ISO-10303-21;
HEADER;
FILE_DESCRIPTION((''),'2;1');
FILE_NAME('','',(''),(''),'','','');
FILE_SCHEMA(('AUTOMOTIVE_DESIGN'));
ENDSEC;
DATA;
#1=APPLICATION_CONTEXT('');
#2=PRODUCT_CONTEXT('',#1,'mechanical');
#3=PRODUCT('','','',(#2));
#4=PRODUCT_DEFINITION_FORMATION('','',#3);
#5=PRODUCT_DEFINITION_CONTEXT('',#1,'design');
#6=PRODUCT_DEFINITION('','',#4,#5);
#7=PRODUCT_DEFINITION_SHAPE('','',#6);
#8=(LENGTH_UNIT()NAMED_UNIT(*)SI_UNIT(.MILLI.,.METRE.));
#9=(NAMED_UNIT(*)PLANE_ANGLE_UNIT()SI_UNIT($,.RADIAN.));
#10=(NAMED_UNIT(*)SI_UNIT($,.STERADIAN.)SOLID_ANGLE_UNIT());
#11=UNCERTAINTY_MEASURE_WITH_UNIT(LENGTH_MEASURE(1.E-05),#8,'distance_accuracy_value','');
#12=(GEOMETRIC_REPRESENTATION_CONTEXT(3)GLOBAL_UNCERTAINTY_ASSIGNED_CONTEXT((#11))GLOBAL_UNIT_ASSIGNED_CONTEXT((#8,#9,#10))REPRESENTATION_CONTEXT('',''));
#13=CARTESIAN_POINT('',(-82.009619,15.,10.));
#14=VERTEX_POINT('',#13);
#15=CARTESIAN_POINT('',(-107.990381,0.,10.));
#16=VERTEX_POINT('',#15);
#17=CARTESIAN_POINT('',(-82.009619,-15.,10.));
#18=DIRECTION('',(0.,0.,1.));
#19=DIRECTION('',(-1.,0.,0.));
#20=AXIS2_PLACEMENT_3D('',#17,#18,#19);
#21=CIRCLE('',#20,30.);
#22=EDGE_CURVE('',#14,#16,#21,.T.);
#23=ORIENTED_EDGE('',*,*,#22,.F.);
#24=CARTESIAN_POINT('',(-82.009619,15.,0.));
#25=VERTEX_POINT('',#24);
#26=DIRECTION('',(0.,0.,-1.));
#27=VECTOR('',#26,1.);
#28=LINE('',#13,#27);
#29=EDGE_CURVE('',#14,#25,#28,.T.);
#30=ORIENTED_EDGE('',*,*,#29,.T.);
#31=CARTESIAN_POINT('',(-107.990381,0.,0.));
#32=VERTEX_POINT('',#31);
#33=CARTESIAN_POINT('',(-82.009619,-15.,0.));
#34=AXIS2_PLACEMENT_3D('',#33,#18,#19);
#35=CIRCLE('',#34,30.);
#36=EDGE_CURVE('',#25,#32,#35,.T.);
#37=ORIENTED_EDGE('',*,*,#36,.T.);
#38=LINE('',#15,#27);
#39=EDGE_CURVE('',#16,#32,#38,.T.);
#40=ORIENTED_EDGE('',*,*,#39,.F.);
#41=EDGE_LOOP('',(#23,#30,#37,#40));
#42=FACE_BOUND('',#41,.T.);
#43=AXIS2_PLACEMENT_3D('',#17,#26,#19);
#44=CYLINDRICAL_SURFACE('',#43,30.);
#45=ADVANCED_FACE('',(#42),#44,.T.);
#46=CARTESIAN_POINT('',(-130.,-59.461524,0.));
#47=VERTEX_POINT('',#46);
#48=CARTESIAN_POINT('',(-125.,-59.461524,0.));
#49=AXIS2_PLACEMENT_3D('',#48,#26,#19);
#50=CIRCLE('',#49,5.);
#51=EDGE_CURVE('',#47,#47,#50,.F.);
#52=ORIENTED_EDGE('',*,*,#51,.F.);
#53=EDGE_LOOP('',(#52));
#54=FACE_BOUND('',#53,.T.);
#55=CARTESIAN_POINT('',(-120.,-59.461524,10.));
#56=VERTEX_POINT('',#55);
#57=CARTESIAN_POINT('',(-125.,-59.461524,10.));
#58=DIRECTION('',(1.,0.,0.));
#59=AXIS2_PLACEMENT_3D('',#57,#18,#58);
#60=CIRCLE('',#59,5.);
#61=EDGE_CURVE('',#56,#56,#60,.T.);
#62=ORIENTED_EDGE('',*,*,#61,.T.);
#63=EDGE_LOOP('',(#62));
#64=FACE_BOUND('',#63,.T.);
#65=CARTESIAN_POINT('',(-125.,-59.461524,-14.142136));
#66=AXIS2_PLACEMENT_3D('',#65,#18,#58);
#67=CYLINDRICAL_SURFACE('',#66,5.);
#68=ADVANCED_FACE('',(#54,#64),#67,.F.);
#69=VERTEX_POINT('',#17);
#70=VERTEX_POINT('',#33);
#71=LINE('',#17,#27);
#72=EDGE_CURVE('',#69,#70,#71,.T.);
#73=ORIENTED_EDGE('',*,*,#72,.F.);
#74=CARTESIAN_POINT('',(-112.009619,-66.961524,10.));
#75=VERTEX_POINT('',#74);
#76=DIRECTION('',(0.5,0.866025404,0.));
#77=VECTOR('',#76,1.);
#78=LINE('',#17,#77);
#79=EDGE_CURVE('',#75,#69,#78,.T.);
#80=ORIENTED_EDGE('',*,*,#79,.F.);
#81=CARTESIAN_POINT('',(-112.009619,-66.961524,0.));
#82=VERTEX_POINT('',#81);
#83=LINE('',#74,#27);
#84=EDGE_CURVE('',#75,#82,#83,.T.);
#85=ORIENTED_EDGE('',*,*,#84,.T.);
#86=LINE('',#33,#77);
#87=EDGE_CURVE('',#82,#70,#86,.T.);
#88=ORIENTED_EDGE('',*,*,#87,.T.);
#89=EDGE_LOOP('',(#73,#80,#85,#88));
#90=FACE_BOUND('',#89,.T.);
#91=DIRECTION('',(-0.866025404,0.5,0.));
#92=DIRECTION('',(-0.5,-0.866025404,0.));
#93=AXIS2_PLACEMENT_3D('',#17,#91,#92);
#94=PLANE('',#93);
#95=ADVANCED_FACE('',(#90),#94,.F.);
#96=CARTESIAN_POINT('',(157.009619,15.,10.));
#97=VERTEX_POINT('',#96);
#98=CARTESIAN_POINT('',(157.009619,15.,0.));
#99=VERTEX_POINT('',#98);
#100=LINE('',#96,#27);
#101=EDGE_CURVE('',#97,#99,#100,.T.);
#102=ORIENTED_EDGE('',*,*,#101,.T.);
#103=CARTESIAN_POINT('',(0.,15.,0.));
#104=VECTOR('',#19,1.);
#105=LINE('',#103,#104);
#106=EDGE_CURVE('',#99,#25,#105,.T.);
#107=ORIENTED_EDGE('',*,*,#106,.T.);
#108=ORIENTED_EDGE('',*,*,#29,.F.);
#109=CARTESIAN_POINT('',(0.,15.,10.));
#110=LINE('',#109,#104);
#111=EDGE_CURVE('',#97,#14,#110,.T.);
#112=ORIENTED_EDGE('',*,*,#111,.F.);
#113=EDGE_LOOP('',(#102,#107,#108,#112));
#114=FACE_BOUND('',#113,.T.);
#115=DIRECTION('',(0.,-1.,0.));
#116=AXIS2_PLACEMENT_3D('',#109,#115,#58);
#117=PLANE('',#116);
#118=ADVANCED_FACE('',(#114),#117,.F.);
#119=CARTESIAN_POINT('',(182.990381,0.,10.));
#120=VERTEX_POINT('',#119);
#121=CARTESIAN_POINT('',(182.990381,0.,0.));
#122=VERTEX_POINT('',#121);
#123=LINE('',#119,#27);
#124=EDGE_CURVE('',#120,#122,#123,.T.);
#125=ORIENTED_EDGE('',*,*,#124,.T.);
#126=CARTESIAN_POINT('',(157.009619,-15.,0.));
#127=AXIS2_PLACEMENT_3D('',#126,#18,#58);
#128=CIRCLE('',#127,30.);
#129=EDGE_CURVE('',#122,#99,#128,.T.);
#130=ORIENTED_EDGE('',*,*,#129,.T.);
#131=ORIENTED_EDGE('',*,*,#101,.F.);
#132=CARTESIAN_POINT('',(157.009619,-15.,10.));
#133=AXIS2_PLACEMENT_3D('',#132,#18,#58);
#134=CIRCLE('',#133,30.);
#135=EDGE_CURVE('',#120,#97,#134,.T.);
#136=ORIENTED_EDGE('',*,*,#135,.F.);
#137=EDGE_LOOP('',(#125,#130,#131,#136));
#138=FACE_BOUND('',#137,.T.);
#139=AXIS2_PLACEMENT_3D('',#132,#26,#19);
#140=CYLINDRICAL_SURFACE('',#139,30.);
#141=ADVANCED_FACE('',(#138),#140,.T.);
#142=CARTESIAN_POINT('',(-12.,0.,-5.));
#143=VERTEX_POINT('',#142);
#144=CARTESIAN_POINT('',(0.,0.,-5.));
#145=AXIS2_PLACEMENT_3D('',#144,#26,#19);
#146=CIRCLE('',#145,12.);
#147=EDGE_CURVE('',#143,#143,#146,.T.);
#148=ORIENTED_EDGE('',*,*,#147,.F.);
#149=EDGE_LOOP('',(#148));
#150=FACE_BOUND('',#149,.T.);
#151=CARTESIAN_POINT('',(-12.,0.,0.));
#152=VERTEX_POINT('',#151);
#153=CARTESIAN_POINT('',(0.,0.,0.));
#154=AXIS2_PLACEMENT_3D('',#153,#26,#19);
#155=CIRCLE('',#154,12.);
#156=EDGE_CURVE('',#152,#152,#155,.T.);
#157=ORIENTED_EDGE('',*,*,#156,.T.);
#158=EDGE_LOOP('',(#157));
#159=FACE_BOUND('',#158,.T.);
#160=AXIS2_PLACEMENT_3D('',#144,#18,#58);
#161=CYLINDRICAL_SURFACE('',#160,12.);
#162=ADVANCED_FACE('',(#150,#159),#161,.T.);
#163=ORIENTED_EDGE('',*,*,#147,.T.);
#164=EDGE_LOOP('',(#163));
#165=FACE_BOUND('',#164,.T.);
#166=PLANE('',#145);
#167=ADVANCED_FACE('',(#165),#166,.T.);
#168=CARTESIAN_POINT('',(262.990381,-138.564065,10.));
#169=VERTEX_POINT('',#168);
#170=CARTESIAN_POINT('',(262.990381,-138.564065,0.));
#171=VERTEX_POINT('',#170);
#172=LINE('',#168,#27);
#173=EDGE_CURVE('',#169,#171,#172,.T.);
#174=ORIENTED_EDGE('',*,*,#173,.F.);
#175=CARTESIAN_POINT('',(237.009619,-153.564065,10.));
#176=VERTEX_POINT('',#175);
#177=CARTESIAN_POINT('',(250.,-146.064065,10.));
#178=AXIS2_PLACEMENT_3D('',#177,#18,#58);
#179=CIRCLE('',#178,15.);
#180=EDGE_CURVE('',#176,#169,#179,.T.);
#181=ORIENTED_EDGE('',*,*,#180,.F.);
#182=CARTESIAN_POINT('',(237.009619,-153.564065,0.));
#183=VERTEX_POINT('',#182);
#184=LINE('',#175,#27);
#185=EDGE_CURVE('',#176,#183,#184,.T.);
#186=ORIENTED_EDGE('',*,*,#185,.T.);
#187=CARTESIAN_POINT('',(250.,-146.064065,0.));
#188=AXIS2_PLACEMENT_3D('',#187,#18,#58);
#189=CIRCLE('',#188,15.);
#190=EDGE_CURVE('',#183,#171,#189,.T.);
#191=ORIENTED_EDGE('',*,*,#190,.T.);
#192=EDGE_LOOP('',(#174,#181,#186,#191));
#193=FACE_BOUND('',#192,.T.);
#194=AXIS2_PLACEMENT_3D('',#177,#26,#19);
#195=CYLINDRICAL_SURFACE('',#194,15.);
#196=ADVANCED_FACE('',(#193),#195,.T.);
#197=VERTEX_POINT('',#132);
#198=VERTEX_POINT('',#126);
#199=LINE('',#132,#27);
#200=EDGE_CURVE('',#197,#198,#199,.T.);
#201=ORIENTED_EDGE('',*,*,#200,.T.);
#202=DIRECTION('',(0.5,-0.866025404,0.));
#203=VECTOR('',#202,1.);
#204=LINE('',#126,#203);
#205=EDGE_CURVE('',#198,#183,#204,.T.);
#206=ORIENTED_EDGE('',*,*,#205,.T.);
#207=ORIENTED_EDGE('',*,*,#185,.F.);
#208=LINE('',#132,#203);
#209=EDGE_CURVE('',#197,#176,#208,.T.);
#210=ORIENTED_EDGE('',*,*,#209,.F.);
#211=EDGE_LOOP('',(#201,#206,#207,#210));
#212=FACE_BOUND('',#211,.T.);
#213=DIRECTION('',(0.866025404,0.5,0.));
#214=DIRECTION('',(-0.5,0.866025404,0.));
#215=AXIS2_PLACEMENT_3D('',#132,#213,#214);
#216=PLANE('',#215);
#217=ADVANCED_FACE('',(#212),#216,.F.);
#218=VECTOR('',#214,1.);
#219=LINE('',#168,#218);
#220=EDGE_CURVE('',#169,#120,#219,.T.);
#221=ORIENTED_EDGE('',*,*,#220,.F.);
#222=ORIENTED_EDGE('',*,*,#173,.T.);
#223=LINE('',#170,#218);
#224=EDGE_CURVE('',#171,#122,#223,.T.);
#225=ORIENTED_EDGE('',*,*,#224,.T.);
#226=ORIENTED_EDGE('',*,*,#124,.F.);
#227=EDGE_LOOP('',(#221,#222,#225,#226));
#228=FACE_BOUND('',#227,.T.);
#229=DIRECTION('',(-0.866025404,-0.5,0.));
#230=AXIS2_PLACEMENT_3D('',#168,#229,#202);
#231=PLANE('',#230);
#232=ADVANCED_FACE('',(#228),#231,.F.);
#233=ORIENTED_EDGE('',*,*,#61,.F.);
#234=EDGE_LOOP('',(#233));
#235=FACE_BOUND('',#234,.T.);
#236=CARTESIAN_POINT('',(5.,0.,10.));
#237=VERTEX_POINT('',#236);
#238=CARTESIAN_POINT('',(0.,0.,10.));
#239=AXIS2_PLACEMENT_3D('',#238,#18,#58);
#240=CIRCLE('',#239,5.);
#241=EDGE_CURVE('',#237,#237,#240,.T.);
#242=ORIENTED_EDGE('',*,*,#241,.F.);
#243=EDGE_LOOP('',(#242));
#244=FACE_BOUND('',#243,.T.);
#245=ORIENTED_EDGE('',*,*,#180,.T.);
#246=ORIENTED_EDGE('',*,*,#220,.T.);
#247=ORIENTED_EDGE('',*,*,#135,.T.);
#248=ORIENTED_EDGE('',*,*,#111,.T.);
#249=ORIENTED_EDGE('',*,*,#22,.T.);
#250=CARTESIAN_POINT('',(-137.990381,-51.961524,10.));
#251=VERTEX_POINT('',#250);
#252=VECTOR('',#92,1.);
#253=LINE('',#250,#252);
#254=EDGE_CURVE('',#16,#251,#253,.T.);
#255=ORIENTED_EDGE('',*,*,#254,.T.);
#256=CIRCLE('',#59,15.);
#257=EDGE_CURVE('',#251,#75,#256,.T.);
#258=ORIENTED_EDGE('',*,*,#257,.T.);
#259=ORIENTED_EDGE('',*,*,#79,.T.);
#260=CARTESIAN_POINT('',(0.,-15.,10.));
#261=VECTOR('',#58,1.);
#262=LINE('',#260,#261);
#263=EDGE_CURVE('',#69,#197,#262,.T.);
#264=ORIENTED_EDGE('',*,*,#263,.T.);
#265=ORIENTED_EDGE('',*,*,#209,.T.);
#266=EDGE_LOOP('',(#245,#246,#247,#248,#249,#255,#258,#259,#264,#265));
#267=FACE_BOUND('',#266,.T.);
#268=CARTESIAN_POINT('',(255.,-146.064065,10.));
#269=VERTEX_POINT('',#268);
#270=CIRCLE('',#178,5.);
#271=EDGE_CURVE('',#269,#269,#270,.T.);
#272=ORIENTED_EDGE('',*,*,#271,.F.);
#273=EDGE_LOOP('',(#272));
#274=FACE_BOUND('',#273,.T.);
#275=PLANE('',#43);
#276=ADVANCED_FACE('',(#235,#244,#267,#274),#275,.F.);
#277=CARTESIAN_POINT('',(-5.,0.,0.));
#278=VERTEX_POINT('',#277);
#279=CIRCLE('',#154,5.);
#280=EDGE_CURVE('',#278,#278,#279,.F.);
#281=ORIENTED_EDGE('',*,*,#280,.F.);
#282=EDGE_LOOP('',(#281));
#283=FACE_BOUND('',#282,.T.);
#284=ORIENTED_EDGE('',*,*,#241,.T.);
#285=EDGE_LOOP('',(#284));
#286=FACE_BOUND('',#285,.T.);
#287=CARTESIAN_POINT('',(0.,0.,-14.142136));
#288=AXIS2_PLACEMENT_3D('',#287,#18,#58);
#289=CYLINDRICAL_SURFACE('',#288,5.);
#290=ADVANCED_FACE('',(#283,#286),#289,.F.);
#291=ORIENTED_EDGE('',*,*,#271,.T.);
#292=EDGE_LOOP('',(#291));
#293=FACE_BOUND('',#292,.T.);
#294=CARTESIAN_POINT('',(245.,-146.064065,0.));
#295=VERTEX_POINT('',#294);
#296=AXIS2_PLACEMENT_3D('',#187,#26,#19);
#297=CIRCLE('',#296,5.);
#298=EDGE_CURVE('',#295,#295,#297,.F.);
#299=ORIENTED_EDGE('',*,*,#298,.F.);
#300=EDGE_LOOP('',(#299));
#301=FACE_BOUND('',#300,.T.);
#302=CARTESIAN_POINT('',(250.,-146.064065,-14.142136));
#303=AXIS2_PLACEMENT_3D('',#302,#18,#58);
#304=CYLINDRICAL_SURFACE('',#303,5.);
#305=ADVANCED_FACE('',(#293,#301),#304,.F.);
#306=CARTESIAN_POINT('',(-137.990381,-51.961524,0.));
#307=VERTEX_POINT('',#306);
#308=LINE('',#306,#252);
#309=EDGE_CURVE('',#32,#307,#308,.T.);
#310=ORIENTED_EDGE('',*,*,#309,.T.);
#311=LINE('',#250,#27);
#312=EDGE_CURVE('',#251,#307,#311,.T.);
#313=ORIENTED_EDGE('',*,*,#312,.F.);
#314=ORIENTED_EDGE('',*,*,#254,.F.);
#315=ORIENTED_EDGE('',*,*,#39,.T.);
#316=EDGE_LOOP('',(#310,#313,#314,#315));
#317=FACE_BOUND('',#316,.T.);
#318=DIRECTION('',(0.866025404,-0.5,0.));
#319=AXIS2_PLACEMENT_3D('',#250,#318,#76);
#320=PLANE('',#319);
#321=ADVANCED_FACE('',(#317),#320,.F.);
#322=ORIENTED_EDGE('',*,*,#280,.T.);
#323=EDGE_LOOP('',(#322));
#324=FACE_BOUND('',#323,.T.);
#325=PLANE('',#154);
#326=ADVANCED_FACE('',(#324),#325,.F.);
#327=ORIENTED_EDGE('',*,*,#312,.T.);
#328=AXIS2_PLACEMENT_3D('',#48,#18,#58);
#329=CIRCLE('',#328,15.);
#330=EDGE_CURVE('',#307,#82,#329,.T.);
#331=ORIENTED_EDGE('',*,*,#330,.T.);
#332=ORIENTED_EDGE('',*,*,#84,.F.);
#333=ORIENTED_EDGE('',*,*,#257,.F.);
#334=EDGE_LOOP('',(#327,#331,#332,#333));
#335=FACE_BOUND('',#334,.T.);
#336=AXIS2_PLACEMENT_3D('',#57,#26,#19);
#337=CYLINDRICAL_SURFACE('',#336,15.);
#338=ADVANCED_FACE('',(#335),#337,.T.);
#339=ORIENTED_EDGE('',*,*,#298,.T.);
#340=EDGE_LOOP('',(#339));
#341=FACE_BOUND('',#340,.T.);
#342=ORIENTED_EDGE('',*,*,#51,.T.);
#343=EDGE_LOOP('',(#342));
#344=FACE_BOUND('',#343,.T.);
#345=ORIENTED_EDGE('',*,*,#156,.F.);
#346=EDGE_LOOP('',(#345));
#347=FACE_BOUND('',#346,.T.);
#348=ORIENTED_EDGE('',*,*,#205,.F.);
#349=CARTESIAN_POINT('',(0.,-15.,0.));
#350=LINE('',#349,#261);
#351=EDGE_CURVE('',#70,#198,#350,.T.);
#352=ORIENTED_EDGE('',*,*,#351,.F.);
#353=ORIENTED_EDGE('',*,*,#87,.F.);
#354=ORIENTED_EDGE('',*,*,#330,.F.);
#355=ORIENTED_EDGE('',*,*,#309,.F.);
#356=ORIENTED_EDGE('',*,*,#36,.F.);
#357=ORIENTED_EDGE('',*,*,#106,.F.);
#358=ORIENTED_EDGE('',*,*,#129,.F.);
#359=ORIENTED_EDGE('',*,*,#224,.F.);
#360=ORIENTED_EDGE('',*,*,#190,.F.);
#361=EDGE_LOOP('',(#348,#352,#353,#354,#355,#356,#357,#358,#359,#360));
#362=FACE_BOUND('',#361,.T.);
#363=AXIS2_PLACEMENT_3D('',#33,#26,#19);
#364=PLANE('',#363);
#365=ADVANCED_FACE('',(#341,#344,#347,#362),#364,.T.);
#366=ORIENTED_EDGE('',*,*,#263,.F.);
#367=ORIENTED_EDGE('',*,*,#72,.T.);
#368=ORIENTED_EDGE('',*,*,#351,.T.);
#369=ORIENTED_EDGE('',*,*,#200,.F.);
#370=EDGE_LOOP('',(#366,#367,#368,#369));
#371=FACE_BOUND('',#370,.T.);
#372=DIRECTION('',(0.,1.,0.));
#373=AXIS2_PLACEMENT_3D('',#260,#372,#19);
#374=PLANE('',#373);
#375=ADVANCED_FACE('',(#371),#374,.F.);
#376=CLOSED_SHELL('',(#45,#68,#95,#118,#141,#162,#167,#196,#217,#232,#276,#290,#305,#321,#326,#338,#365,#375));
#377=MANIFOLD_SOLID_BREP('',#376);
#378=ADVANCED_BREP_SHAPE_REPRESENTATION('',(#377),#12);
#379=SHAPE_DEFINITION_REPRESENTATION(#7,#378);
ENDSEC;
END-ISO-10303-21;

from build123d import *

# Parameters (mm, degrees)
BOSS_EXTRUDE1_DEPTH = 10
SKETCH2_R           = 5
CUT_EXTRUDE1_DEPTH  = 10
SKETCH3_R           = 12
BOSS_EXTRUDE2_DEPTH = 5


with BuildPart() as part:
    # Sketch1 → Boss-Extrude1 (new body)
    with BuildSketch(Plane.XY):
        with BuildLine():
            Line((-82.009618943, -15), (-112.009618943, -66.961524227))
            ThreePointArc((-112.009618943, -66.961524227), (-132.5, -72.451905284), (-137.990381057, -51.961524227))
            Line((-137.990381057, -51.961524227), (-107.990381057, 0))
            ThreePointArc((-107.990381057, 0), (-97.009618943, 10.980762114), (-82.009618943, 15))
            Line((-82.009618943, 15), (0, 15))
            Line((0, 15), (157.009618943, 15))
            ThreePointArc((157.009618943, 15), (172.009618943, 10.980762114), (182.990381057, 0))
            Line((182.990381057, 0), (262.990381057, -138.564064606))
            ThreePointArc((262.990381057, -138.564064606), (257.5, -159.054445662), (237.009618943, -153.564064606))
            Line((237.009618943, -153.564064606), (157.009618943, -15))
            Line((157.009618943, -15), (0, -15))
            Line((0, -15), (-82.009618943, -15))
        make_face()
    extrude(amount=BOSS_EXTRUDE1_DEPTH)

    # Sketch2 → Cut-Extrude1 (cut)
    with BuildSketch(Plane.XY.offset(10)):
        with Locations((-125, -59.461524227)):
            Circle(SKETCH2_R)
        with Locations((250, -146.064064606)):
            Circle(SKETCH2_R)
        Circle(SKETCH2_R)
    extrude(amount=-CUT_EXTRUDE1_DEPTH, mode=Mode.SUBTRACT)

    # Sketch3 → Boss-Extrude2 (add)
    with BuildSketch(Plane(origin=(0, 0, 0), x_dir=(-1, 0, 0), z_dir=(0, 0, -1))):
        Circle(SKETCH3_R)
    extrude(amount=BOSS_EXTRUDE2_DEPTH)


solid = part.part
